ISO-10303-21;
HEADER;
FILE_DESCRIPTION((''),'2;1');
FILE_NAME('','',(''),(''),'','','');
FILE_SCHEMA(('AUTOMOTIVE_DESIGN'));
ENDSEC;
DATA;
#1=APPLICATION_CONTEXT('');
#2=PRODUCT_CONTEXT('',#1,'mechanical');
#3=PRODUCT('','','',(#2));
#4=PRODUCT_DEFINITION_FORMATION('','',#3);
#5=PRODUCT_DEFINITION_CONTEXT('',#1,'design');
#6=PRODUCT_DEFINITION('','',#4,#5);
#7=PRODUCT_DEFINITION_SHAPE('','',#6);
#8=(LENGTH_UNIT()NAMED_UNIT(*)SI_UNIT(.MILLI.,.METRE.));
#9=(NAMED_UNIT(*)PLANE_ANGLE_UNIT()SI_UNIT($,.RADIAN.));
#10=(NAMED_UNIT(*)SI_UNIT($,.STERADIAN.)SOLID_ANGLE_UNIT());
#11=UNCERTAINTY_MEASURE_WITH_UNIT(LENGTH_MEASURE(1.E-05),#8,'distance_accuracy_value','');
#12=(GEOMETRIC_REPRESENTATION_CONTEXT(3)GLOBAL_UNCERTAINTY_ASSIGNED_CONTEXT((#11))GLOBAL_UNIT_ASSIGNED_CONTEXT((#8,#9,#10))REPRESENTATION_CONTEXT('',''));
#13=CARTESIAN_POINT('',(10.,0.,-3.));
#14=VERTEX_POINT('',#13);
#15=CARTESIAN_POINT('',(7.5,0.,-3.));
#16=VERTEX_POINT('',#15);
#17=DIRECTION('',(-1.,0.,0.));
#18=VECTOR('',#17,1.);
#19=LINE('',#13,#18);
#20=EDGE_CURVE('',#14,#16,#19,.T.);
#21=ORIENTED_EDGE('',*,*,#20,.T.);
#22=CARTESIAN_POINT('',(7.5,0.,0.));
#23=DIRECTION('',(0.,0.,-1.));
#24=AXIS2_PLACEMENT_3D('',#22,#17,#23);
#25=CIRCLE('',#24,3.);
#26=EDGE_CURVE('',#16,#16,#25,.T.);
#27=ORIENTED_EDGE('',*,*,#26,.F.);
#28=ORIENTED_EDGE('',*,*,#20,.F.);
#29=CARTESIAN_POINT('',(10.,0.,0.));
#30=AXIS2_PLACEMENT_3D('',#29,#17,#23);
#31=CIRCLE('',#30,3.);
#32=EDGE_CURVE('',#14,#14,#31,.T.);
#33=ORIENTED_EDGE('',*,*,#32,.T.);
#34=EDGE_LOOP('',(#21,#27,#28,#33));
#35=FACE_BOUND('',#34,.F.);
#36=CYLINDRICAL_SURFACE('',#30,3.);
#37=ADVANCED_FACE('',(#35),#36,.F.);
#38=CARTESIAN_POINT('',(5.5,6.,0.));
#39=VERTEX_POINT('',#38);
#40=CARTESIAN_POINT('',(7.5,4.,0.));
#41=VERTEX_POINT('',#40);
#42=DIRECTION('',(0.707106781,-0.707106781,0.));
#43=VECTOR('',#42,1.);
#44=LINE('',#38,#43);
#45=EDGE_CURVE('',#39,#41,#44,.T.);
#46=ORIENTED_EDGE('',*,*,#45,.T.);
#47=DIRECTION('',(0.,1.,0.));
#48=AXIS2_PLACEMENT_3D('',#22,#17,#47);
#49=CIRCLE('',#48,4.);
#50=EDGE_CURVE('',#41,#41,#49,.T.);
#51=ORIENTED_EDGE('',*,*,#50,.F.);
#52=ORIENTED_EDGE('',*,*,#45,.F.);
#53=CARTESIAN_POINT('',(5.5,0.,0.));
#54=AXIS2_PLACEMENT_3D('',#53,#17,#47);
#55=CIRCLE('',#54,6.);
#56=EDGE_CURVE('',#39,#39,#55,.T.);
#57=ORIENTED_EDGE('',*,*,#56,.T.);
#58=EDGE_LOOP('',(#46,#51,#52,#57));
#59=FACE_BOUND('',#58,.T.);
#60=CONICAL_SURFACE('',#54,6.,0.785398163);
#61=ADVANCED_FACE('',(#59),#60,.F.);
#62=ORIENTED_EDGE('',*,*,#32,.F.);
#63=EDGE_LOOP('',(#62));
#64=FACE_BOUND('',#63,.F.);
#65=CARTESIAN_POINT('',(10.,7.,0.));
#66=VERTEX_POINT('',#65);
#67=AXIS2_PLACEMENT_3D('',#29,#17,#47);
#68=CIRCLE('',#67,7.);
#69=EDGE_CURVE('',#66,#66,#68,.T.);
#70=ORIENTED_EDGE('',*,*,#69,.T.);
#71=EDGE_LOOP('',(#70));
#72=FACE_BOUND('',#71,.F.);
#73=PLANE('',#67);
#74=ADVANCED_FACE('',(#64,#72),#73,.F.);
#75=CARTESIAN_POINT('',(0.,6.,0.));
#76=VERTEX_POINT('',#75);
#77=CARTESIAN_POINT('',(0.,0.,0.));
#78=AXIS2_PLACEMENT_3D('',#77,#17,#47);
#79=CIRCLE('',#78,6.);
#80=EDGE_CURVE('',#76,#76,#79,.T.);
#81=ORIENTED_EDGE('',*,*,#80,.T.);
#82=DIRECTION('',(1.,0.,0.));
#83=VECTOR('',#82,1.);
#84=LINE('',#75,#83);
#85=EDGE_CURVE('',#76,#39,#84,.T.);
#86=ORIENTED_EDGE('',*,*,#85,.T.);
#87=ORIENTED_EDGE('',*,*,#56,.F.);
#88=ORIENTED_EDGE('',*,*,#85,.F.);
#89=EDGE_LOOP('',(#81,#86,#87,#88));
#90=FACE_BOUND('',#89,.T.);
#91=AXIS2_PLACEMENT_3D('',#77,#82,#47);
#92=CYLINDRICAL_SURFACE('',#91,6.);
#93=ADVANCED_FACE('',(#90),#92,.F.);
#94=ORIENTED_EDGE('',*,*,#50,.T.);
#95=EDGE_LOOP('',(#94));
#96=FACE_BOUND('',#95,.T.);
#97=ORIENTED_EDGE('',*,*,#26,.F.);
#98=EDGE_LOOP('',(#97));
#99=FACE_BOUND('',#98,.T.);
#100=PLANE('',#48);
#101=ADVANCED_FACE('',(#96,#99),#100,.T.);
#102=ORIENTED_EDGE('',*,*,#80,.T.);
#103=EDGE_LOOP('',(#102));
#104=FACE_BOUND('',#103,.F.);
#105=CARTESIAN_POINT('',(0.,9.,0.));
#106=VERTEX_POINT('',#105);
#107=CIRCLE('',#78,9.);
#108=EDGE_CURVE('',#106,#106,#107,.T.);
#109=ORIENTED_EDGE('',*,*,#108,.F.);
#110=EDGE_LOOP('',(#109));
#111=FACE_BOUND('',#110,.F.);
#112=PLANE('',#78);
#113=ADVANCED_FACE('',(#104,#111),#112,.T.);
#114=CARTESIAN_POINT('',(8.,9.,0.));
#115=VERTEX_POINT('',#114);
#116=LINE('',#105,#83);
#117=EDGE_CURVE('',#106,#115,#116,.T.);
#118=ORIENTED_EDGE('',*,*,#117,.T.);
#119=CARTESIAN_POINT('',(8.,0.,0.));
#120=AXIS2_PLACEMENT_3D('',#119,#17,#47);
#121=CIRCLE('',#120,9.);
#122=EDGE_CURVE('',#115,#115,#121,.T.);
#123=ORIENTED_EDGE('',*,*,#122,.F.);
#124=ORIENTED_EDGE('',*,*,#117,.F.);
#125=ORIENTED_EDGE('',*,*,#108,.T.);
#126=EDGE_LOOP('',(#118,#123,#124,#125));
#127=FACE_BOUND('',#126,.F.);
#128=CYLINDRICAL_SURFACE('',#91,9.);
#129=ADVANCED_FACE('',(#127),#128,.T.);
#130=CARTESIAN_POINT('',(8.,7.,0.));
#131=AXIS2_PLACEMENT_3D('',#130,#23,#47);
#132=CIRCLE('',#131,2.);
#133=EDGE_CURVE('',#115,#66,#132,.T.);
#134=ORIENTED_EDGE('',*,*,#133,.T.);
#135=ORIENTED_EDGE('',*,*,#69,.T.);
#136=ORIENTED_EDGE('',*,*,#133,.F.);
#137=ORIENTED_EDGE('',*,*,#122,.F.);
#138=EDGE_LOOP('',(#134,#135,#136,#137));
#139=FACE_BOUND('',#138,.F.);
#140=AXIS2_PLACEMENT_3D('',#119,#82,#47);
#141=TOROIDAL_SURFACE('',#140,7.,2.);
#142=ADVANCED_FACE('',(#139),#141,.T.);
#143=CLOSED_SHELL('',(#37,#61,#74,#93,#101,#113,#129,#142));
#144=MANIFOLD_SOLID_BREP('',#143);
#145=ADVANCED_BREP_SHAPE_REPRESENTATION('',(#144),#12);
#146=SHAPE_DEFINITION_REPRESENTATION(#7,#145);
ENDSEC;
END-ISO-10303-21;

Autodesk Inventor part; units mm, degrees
ref_plane "YZ Plane" through (0, 0, 0) normal (1, 0, 0) x (0, 1, 0)
ref_plane "XZ Plane" through (0, 0, 0) normal (0, 1, 0) x (-1, 0, 0)
ref_plane "XY Plane" through (0, 0, 0) normal (0, 0, 1) x (1, 0, 0)
sketch "Sketch1" plane through (0, 0, 0) normal (0, 0, 1) x (1, 0, 0)
  line L0 (0, 6) -> (0, 9)
  line L1 (0, 9) -> (10, 9)
  line L2 (10, 9) -> (10, 0)
  line L3 (10, 0) -> (0, 0)
  line L4 (0, 6) -> (5.5, 6)
  line L5 (5.5, 6) -> (7.5, 4)
  line L6 (7.5, 4) -> (7.5, 0)
  point P0 (5, 9)
  dimension "d0" = 45
  dimension "d1" = 18
  dimension "d2" = 12
  dimension "d3" = 2.5
  dimension "d4" = 10
  dimension "d5" = 2
revolve "Revolution1" add sketch "Sketch1" angle 360 about axis through (10, 0, 0) along (-1, 0, 0)
thread "Thread1" size "M12x1.75" class "6H" standard "ISO Metric profile" full length
sketch "Sketch2" plane through (10, 0, 0) normal (1, 0, 0) x (0, 0, -1)
  circle A0 centre (0, 0) radius 9 projected
hole "Hole1" at (10, 0, 0) direction (-1, 0, 0) diameter 6 end through all
fillet "Fillet1" radius 2 1 edges at (10, -9, 0)
properties part number "14.2"
